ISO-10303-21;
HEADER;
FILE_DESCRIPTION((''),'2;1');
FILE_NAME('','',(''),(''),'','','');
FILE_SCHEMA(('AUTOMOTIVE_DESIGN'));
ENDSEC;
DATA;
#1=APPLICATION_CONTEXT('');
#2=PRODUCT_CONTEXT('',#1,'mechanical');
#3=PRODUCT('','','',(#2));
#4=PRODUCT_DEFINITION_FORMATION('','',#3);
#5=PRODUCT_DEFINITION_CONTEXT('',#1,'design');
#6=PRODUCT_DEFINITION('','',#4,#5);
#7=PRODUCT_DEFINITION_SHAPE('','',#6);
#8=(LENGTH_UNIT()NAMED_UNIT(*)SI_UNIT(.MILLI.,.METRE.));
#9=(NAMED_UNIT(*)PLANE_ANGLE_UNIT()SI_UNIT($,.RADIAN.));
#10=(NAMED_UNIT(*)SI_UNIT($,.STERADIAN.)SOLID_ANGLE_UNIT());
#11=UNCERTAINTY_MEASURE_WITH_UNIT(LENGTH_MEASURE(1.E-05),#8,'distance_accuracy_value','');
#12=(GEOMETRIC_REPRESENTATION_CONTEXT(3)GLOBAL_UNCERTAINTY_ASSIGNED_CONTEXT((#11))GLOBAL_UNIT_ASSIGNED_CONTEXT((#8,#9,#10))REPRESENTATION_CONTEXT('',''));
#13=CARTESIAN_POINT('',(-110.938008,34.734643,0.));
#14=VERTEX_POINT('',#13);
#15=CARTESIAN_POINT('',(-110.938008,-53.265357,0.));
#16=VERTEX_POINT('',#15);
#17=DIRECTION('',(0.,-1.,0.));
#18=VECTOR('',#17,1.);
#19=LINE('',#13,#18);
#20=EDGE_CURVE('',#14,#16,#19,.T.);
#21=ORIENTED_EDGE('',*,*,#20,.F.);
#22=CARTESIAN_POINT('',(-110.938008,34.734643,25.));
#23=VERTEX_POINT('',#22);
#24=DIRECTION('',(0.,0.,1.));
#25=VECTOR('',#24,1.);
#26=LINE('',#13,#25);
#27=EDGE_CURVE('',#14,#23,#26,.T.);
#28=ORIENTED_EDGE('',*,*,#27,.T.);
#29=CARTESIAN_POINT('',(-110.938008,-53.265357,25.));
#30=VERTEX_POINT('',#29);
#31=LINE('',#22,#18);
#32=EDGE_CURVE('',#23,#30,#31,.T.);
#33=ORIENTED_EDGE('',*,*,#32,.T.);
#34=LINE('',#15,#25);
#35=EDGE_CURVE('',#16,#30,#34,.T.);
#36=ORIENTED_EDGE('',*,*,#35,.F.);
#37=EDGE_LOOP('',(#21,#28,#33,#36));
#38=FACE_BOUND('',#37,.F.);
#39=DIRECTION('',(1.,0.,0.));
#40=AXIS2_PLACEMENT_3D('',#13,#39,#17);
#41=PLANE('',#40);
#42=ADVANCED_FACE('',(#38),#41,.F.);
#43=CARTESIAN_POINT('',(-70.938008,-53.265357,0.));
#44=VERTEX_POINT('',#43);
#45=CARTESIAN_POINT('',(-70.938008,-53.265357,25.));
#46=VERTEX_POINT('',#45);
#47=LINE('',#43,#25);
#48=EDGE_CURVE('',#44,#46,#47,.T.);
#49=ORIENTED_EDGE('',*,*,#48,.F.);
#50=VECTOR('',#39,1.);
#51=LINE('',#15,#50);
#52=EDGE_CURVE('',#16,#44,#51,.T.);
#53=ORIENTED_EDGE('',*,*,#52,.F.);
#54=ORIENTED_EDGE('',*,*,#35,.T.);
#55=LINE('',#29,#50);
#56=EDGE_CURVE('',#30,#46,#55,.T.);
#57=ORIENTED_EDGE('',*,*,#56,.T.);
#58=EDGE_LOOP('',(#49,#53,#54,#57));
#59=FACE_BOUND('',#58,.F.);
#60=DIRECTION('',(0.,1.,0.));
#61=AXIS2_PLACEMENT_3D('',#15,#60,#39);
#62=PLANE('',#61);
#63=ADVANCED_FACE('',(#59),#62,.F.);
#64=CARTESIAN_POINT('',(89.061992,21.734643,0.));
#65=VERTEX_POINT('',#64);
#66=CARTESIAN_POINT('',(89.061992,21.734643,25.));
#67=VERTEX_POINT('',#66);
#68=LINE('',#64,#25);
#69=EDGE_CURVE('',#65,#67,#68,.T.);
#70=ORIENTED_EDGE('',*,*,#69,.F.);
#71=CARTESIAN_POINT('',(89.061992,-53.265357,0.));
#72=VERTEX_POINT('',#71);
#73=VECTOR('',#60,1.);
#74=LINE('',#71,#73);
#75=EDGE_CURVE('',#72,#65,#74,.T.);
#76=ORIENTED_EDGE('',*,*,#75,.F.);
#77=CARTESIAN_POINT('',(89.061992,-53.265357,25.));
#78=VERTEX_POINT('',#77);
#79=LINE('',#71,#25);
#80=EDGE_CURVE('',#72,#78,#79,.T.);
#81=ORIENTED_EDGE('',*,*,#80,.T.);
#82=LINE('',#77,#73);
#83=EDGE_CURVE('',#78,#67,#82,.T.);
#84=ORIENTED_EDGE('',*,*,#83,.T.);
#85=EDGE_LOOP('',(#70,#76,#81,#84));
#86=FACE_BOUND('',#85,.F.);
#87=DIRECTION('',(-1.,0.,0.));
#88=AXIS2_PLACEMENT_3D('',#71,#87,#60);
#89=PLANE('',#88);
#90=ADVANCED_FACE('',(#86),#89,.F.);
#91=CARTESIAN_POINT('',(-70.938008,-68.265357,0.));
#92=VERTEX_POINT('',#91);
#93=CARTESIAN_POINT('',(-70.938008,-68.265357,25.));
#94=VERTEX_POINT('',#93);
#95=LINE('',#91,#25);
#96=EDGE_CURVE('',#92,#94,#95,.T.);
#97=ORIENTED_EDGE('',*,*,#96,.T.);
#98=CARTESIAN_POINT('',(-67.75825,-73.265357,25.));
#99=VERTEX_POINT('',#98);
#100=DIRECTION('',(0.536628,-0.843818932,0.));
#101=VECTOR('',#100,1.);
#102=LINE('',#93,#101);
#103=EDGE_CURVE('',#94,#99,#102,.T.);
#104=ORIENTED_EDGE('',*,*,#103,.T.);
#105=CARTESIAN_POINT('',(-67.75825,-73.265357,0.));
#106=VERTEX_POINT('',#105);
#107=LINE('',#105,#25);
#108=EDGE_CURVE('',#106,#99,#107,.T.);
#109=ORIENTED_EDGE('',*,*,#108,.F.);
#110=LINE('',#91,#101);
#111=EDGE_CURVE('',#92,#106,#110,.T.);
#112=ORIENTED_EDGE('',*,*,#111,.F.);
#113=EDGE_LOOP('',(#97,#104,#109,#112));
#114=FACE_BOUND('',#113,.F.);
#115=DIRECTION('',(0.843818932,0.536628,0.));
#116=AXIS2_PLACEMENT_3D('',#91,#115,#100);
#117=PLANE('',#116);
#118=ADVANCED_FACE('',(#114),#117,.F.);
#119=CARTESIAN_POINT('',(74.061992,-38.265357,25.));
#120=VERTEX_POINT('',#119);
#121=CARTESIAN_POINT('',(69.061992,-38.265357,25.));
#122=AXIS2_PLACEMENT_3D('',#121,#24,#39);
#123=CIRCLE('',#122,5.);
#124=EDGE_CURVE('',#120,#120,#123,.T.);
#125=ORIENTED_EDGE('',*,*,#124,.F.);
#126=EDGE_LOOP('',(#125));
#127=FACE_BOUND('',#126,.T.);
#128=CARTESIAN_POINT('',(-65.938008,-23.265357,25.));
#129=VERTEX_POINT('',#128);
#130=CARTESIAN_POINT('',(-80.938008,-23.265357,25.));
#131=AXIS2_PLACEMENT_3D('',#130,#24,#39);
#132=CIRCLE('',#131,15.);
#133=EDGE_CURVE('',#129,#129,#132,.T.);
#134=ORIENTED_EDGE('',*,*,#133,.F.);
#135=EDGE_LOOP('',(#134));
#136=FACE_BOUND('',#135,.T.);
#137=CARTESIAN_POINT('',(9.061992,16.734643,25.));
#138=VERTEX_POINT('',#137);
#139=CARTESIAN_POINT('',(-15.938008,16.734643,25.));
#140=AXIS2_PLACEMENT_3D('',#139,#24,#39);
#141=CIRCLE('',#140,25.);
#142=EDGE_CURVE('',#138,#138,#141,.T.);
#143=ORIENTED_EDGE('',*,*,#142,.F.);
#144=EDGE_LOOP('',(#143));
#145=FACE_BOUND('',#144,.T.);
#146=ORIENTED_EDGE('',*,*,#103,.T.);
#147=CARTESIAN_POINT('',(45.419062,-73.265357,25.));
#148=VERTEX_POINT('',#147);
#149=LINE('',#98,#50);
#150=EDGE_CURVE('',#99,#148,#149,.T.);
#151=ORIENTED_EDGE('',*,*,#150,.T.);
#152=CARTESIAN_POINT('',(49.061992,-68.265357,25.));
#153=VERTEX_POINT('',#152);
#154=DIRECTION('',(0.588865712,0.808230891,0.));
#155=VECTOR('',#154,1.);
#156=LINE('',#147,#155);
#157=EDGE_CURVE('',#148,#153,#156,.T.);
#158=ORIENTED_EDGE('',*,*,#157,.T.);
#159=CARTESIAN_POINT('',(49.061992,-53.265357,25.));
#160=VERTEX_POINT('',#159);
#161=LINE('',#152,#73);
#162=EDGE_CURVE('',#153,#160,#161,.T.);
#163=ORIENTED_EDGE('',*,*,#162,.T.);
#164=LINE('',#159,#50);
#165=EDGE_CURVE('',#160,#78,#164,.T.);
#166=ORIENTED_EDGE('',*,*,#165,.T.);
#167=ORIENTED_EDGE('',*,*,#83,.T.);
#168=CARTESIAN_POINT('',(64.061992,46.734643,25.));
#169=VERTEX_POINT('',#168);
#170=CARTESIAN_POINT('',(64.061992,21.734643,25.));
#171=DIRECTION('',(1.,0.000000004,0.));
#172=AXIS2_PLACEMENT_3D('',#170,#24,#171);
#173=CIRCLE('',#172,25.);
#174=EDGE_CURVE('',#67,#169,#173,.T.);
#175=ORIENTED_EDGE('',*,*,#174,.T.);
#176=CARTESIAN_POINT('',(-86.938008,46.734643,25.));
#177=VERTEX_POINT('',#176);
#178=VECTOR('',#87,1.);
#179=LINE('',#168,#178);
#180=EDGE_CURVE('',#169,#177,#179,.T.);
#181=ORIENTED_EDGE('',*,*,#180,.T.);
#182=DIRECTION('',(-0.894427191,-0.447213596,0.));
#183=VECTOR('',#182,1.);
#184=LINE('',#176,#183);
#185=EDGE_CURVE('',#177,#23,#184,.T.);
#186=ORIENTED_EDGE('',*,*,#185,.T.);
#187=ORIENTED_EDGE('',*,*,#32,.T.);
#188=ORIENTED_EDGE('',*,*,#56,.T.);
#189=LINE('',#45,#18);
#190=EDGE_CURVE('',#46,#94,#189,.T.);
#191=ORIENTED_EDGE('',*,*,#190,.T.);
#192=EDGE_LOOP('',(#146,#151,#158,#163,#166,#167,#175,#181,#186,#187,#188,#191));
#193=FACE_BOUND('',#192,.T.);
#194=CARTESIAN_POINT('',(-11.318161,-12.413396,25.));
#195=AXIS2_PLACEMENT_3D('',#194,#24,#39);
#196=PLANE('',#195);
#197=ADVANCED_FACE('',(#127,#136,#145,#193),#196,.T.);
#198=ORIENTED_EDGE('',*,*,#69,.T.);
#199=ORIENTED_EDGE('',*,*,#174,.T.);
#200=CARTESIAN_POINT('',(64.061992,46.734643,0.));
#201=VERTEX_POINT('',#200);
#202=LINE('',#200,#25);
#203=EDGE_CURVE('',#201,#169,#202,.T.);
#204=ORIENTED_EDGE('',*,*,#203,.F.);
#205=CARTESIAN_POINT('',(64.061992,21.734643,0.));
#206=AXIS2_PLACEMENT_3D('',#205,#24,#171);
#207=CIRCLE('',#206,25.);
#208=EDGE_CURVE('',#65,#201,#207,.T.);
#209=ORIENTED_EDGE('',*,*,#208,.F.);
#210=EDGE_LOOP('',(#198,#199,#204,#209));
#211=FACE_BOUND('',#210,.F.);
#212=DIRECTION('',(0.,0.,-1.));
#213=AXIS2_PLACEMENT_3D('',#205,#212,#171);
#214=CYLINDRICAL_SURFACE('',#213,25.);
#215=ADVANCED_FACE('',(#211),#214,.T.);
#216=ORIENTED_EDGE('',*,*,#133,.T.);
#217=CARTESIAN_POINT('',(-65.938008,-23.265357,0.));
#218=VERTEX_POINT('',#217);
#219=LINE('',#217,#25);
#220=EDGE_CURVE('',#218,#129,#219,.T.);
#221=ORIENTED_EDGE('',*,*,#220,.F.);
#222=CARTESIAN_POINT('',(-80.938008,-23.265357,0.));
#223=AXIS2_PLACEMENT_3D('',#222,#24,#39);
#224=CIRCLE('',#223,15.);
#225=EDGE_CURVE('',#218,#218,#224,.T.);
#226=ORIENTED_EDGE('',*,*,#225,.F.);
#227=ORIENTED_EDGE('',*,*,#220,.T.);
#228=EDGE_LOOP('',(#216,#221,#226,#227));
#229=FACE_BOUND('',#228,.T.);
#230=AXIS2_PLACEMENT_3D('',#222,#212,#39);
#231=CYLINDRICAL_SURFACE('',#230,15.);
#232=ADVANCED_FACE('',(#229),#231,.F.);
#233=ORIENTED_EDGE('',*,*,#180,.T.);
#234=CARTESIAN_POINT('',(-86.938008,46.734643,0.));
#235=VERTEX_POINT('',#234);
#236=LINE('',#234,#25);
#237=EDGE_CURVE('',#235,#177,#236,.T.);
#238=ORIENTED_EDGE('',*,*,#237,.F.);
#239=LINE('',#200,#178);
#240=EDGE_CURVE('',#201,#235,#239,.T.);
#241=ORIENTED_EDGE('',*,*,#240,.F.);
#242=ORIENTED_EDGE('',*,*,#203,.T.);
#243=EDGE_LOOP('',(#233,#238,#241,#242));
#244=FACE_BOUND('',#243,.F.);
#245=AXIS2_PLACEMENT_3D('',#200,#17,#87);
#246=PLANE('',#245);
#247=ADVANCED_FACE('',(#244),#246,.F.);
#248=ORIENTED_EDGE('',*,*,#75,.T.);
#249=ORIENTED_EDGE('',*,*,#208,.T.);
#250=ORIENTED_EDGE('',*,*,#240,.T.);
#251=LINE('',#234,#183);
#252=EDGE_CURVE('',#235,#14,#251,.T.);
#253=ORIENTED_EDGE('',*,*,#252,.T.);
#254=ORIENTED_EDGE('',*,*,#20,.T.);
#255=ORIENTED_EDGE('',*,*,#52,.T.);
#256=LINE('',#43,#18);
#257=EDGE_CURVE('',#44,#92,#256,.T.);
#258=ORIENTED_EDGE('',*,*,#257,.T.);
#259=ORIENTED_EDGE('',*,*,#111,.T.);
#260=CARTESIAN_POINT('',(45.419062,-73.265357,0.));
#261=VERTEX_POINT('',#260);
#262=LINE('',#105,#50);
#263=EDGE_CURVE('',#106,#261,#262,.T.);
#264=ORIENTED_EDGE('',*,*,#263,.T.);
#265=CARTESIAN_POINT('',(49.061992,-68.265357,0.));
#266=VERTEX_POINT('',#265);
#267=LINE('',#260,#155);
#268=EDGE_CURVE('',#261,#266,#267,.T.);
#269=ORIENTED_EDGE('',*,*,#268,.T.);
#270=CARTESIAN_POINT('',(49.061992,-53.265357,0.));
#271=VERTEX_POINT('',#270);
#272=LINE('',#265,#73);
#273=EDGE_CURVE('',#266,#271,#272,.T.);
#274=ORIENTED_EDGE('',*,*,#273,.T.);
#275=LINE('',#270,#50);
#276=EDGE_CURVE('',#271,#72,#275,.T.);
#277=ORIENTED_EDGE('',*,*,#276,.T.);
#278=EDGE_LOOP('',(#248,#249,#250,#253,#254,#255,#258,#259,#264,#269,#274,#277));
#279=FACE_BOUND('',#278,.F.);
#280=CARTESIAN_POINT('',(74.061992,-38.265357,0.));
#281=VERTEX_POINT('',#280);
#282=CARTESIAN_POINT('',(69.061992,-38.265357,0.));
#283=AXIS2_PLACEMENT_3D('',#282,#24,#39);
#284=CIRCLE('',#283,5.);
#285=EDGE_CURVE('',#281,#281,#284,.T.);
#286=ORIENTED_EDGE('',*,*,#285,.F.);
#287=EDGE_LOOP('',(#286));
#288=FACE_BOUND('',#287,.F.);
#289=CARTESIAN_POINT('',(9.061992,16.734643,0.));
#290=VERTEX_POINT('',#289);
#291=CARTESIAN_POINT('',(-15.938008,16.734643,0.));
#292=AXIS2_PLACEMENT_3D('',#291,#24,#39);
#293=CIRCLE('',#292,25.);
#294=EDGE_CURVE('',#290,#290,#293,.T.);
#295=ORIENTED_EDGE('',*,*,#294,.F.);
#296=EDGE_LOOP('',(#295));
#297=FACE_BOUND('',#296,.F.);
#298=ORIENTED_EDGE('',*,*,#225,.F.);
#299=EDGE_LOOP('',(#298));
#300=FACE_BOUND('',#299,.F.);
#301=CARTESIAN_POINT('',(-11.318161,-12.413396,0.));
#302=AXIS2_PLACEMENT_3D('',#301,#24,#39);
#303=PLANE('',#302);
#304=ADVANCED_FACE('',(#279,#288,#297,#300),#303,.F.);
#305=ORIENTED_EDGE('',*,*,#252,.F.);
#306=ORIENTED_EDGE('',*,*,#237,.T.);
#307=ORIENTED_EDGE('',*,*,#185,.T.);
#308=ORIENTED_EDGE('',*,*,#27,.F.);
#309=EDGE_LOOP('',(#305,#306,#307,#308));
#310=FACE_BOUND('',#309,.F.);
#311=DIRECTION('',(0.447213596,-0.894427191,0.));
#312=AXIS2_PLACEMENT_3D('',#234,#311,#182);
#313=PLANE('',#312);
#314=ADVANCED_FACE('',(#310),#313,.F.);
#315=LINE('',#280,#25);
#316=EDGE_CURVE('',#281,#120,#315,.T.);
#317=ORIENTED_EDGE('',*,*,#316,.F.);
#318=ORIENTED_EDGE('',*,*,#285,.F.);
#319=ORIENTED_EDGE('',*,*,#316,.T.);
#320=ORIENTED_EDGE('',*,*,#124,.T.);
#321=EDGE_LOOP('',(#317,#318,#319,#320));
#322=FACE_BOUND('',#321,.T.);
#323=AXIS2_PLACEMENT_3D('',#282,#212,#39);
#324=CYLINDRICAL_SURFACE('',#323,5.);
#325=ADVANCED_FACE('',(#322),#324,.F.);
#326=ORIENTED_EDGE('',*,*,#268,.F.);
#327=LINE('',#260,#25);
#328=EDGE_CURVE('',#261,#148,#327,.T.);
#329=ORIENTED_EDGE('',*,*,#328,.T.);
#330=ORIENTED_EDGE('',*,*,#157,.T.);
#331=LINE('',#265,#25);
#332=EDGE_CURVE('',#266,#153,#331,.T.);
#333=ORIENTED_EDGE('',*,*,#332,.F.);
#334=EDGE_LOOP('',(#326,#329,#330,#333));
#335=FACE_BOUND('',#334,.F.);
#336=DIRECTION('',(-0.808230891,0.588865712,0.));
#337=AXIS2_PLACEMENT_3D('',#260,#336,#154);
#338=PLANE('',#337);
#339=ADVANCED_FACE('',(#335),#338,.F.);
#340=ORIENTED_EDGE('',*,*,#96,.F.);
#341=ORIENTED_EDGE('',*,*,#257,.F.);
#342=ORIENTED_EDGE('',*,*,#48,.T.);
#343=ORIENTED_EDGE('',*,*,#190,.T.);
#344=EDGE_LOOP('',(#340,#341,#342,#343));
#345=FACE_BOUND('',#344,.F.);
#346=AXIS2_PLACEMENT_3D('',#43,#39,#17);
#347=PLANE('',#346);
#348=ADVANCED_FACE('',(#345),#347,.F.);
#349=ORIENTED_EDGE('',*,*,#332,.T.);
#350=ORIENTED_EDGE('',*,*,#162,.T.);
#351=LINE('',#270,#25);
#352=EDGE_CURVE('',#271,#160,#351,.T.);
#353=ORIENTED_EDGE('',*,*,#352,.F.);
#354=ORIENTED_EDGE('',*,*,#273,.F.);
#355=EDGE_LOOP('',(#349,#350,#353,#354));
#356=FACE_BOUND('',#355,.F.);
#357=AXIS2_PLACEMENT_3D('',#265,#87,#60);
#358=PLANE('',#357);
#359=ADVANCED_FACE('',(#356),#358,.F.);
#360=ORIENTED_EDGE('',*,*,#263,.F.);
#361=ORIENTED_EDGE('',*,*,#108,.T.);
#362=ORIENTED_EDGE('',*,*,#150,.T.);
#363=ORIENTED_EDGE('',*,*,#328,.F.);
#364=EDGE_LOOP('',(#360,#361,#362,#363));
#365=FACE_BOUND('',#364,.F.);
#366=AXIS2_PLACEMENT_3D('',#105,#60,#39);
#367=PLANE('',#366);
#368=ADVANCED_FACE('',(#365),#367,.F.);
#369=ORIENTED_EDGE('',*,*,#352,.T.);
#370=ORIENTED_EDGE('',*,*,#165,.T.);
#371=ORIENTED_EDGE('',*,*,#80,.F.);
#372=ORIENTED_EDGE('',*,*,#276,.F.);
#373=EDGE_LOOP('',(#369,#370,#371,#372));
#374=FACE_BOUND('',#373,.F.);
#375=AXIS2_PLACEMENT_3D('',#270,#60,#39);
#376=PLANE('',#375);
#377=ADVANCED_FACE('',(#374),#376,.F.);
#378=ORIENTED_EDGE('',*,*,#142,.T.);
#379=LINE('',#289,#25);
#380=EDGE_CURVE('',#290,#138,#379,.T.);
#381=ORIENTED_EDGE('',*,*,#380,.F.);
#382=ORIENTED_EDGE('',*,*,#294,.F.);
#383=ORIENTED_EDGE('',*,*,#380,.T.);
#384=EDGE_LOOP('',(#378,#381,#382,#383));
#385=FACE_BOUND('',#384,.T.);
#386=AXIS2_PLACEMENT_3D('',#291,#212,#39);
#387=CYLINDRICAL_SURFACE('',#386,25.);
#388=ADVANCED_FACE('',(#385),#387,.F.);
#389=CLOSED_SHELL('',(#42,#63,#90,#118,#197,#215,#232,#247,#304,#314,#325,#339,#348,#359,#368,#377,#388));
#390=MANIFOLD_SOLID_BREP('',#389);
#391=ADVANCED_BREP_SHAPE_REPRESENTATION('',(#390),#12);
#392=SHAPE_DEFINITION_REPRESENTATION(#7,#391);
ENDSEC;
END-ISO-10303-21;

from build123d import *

# Parameters (mm, degrees)
F0_R     = 15
F0_R_2   = 5
F0_R_3   = 25
F1_DEPTH = 25


with BuildPart() as f1:
    # F0 (on Top) → F1 (new body)
    with BuildSketch(Plane.XY):
        with BuildLine():
            Line((-70.938008, -68.265357), (-67.75825, -73.265357))
            Line((-67.75825, -73.265357), (45.419062, -73.265357))
            Line((45.419062, -73.265357), (49.061992, -68.265357))
            Line((49.061992, -68.265357), (49.061992, -53.265357))
            Line((49.061992, -53.265357), (89.061992, -53.265357))
            Line((89.061992, -53.265357), (89.061992, 21.734643))
            ThreePointArc((89.061992, 21.734643), (81.739661, 39.412313), (64.061992, 46.734643))
            Line((64.061992, 46.734643), (-86.938008, 46.734643))
            Line((-86.938008, 46.734643), (-110.938008, 34.734643))
            Line((-110.938008, 34.734643), (-110.938008, -53.265357))
            Line((-110.938008, -53.265357), (-70.938008, -53.265357))
            Line((-70.938008, -53.265357), (-70.938008, -68.265357))
        make_face()
        with Locations((-80.938008, -23.265357)):
            Circle(F0_R, mode=Mode.SUBTRACT)
        with Locations((69.061992, -38.265357)):
            Circle(F0_R_2, mode=Mode.SUBTRACT)
        with Locations((-15.938008, 16.734643)):
            Circle(F0_R_3, mode=Mode.SUBTRACT)
    extrude(amount=F1_DEPTH)


solid = f1.part
